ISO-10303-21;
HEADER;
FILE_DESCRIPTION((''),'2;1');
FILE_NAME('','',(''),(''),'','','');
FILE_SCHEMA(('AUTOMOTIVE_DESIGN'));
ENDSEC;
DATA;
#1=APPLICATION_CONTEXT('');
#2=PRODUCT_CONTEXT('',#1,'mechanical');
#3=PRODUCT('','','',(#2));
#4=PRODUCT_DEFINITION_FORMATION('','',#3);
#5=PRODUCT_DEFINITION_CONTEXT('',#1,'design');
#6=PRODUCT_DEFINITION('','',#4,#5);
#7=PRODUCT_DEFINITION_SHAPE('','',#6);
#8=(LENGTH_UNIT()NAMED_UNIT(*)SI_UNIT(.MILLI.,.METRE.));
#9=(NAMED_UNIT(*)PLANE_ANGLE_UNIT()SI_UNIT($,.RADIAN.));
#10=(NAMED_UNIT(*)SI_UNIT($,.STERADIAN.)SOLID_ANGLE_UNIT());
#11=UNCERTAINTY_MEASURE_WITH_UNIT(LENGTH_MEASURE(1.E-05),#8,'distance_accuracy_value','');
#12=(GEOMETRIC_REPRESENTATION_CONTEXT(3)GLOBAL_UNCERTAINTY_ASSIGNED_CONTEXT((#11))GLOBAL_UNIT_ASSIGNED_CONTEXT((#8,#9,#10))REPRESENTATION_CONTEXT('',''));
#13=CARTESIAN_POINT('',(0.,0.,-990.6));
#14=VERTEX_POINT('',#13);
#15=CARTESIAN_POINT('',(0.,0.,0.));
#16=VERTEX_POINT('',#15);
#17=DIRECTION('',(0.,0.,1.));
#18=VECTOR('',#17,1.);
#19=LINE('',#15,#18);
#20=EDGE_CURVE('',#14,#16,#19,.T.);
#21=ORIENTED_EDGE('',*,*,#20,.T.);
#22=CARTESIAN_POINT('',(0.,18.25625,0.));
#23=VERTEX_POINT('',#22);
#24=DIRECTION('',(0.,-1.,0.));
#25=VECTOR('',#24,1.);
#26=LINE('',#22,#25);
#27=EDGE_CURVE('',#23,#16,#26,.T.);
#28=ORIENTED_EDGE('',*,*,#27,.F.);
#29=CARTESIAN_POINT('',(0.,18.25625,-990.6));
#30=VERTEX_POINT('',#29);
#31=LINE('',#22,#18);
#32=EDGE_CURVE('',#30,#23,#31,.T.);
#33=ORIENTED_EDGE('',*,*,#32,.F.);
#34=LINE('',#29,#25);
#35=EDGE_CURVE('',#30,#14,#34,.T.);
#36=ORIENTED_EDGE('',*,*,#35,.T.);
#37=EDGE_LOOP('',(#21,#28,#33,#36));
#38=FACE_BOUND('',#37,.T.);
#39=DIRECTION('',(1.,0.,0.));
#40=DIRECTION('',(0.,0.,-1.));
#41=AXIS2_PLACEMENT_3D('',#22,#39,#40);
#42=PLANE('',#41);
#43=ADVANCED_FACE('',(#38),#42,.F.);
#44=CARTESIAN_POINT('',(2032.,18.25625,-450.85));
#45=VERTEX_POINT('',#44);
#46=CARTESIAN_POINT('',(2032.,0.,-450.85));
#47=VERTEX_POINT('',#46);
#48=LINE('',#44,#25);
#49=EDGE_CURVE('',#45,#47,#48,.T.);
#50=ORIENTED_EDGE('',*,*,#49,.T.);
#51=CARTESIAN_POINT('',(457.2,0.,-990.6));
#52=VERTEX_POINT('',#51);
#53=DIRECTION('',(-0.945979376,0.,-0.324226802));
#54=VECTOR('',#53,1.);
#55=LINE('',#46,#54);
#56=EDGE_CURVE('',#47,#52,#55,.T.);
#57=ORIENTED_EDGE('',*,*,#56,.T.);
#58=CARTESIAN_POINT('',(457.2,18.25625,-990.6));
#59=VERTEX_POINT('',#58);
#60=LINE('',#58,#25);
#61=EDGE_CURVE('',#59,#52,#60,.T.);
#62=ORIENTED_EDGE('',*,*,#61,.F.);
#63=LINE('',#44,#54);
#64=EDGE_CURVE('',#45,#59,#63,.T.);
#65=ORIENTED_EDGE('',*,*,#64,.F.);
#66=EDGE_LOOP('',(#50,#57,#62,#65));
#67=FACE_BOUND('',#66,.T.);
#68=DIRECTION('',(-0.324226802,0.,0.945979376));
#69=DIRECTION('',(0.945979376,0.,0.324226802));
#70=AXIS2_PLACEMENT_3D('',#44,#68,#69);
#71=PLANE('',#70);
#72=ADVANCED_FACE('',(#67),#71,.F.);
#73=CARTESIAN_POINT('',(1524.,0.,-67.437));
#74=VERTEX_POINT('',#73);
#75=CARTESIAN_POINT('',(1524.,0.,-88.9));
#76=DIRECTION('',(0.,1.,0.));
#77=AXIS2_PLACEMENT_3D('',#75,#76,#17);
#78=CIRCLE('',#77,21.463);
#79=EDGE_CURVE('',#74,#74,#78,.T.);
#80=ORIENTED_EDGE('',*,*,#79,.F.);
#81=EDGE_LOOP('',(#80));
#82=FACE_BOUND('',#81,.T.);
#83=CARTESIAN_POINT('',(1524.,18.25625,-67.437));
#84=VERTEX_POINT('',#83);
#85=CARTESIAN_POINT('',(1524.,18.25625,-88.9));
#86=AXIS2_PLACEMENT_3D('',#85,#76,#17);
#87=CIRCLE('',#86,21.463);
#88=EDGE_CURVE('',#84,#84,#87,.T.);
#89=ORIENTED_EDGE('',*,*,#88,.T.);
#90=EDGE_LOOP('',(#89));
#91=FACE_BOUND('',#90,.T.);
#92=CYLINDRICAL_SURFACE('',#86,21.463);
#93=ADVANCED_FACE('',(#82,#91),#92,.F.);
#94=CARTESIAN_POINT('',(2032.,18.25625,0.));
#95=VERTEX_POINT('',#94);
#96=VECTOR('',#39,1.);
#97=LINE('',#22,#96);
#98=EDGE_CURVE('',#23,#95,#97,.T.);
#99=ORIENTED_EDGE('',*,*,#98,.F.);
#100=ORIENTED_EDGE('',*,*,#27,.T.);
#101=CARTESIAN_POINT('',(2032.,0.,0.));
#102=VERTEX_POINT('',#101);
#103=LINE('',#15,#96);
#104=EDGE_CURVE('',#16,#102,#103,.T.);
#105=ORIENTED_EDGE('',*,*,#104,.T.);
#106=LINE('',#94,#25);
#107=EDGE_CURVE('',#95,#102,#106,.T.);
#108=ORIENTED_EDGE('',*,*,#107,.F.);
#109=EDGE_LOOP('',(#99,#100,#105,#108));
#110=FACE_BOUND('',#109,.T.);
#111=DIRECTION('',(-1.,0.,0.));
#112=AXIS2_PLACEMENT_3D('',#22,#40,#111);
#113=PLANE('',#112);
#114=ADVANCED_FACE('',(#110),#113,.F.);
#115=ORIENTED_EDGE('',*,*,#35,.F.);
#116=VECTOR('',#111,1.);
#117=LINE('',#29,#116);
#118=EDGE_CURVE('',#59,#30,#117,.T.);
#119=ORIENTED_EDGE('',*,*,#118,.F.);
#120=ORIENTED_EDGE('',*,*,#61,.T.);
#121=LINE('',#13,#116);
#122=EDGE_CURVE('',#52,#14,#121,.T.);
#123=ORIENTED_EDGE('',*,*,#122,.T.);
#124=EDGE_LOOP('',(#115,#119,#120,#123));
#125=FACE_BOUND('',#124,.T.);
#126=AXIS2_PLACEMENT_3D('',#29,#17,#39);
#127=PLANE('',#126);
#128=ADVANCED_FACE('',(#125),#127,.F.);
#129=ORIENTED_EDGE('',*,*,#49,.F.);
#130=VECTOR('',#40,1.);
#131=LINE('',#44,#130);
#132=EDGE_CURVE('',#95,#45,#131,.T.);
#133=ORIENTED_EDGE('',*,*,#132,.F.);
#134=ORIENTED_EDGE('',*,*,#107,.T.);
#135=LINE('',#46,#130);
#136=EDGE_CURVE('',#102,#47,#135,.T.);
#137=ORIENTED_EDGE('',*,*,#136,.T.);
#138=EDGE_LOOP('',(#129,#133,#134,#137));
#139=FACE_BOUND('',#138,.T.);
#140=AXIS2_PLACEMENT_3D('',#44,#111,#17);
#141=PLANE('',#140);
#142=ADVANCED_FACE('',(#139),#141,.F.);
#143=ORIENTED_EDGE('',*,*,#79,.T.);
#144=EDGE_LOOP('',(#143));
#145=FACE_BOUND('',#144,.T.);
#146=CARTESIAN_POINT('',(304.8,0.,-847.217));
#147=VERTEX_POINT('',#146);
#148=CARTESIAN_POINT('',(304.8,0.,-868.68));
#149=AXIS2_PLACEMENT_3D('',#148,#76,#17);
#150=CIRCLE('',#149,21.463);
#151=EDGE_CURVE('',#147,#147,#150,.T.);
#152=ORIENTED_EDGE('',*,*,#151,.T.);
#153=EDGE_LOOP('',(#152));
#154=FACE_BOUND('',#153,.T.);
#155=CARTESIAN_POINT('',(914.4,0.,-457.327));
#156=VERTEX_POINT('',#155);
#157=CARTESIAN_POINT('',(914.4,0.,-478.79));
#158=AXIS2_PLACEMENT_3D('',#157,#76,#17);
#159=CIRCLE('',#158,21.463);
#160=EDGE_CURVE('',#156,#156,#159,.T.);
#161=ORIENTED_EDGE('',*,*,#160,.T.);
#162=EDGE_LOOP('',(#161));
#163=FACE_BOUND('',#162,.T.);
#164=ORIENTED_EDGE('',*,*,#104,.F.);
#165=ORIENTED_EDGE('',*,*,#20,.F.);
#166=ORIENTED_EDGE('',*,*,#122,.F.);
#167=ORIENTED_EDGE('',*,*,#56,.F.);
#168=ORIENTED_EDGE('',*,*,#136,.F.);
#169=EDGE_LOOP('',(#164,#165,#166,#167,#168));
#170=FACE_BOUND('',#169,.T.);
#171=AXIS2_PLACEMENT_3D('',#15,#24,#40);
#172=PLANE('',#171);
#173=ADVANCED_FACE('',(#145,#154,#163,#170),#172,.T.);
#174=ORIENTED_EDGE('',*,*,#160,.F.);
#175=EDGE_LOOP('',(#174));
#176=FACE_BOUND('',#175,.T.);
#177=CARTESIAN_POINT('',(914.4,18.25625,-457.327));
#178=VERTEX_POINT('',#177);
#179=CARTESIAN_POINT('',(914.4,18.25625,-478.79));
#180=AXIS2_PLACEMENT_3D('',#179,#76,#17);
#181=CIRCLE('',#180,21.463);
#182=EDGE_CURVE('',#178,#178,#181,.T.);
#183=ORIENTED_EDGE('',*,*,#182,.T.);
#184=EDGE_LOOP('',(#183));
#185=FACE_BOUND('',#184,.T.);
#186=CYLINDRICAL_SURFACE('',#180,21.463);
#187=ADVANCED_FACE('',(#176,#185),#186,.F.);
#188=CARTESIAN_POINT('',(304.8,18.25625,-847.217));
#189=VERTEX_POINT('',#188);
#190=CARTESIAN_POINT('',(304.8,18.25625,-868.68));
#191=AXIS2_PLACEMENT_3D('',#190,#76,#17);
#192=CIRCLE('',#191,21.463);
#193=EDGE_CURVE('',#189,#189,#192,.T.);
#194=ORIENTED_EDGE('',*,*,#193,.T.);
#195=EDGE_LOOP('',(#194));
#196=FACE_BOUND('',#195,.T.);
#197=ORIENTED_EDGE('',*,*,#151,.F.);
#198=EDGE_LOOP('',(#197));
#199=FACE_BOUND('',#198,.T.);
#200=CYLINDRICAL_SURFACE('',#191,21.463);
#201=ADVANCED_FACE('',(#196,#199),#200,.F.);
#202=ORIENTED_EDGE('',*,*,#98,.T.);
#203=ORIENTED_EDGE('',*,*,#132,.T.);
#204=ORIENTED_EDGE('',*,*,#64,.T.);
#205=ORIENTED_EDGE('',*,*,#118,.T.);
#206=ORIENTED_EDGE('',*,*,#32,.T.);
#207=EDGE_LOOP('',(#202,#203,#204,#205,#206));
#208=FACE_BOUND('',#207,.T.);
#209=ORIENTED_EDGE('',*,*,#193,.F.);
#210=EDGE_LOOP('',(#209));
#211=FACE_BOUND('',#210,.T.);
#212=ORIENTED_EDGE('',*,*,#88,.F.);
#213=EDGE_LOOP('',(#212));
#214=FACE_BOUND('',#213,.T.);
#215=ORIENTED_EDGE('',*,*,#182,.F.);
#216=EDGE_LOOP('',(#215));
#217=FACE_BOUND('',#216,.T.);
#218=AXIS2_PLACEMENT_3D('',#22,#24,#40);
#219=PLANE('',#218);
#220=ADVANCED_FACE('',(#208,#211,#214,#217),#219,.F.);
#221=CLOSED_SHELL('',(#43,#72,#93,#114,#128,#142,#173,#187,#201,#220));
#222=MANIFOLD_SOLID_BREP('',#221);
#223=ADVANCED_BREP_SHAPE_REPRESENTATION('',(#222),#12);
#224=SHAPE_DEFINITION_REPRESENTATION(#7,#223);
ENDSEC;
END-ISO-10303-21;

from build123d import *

# Parameters (mm, degrees)
BOSS_EXTRUDE1_DEPTH       = 18.25625
F_1_1_69_DIAMETER_HOLE1_D = 42.926


with BuildPart() as part:
    # Sketch1 → Boss-Extrude1 (new body)
    with BuildSketch(Plane(origin=(0, 0, 0), x_dir=(1, 0, 0), z_dir=(0, 1, 0))):
        Polygon((2032, 450.85), (457.2, 990.6), (0, 990.6), (0, 0), (2032, 0), align=None)
    extrude(amount=BOSS_EXTRUDE1_DEPTH)

    # 1 (1.69) Diameter Hole1 (through all)
    with Locations(Plane(origin=(0, 18.25625, 0), x_dir=(1, 0, 0), z_dir=(0, 1, 0))):
        with Locations((1524, 88.9), (914.4, 478.79), (304.8, 868.68)):
            Hole(F_1_1_69_DIAMETER_HOLE1_D / 2)


solid = part.part
